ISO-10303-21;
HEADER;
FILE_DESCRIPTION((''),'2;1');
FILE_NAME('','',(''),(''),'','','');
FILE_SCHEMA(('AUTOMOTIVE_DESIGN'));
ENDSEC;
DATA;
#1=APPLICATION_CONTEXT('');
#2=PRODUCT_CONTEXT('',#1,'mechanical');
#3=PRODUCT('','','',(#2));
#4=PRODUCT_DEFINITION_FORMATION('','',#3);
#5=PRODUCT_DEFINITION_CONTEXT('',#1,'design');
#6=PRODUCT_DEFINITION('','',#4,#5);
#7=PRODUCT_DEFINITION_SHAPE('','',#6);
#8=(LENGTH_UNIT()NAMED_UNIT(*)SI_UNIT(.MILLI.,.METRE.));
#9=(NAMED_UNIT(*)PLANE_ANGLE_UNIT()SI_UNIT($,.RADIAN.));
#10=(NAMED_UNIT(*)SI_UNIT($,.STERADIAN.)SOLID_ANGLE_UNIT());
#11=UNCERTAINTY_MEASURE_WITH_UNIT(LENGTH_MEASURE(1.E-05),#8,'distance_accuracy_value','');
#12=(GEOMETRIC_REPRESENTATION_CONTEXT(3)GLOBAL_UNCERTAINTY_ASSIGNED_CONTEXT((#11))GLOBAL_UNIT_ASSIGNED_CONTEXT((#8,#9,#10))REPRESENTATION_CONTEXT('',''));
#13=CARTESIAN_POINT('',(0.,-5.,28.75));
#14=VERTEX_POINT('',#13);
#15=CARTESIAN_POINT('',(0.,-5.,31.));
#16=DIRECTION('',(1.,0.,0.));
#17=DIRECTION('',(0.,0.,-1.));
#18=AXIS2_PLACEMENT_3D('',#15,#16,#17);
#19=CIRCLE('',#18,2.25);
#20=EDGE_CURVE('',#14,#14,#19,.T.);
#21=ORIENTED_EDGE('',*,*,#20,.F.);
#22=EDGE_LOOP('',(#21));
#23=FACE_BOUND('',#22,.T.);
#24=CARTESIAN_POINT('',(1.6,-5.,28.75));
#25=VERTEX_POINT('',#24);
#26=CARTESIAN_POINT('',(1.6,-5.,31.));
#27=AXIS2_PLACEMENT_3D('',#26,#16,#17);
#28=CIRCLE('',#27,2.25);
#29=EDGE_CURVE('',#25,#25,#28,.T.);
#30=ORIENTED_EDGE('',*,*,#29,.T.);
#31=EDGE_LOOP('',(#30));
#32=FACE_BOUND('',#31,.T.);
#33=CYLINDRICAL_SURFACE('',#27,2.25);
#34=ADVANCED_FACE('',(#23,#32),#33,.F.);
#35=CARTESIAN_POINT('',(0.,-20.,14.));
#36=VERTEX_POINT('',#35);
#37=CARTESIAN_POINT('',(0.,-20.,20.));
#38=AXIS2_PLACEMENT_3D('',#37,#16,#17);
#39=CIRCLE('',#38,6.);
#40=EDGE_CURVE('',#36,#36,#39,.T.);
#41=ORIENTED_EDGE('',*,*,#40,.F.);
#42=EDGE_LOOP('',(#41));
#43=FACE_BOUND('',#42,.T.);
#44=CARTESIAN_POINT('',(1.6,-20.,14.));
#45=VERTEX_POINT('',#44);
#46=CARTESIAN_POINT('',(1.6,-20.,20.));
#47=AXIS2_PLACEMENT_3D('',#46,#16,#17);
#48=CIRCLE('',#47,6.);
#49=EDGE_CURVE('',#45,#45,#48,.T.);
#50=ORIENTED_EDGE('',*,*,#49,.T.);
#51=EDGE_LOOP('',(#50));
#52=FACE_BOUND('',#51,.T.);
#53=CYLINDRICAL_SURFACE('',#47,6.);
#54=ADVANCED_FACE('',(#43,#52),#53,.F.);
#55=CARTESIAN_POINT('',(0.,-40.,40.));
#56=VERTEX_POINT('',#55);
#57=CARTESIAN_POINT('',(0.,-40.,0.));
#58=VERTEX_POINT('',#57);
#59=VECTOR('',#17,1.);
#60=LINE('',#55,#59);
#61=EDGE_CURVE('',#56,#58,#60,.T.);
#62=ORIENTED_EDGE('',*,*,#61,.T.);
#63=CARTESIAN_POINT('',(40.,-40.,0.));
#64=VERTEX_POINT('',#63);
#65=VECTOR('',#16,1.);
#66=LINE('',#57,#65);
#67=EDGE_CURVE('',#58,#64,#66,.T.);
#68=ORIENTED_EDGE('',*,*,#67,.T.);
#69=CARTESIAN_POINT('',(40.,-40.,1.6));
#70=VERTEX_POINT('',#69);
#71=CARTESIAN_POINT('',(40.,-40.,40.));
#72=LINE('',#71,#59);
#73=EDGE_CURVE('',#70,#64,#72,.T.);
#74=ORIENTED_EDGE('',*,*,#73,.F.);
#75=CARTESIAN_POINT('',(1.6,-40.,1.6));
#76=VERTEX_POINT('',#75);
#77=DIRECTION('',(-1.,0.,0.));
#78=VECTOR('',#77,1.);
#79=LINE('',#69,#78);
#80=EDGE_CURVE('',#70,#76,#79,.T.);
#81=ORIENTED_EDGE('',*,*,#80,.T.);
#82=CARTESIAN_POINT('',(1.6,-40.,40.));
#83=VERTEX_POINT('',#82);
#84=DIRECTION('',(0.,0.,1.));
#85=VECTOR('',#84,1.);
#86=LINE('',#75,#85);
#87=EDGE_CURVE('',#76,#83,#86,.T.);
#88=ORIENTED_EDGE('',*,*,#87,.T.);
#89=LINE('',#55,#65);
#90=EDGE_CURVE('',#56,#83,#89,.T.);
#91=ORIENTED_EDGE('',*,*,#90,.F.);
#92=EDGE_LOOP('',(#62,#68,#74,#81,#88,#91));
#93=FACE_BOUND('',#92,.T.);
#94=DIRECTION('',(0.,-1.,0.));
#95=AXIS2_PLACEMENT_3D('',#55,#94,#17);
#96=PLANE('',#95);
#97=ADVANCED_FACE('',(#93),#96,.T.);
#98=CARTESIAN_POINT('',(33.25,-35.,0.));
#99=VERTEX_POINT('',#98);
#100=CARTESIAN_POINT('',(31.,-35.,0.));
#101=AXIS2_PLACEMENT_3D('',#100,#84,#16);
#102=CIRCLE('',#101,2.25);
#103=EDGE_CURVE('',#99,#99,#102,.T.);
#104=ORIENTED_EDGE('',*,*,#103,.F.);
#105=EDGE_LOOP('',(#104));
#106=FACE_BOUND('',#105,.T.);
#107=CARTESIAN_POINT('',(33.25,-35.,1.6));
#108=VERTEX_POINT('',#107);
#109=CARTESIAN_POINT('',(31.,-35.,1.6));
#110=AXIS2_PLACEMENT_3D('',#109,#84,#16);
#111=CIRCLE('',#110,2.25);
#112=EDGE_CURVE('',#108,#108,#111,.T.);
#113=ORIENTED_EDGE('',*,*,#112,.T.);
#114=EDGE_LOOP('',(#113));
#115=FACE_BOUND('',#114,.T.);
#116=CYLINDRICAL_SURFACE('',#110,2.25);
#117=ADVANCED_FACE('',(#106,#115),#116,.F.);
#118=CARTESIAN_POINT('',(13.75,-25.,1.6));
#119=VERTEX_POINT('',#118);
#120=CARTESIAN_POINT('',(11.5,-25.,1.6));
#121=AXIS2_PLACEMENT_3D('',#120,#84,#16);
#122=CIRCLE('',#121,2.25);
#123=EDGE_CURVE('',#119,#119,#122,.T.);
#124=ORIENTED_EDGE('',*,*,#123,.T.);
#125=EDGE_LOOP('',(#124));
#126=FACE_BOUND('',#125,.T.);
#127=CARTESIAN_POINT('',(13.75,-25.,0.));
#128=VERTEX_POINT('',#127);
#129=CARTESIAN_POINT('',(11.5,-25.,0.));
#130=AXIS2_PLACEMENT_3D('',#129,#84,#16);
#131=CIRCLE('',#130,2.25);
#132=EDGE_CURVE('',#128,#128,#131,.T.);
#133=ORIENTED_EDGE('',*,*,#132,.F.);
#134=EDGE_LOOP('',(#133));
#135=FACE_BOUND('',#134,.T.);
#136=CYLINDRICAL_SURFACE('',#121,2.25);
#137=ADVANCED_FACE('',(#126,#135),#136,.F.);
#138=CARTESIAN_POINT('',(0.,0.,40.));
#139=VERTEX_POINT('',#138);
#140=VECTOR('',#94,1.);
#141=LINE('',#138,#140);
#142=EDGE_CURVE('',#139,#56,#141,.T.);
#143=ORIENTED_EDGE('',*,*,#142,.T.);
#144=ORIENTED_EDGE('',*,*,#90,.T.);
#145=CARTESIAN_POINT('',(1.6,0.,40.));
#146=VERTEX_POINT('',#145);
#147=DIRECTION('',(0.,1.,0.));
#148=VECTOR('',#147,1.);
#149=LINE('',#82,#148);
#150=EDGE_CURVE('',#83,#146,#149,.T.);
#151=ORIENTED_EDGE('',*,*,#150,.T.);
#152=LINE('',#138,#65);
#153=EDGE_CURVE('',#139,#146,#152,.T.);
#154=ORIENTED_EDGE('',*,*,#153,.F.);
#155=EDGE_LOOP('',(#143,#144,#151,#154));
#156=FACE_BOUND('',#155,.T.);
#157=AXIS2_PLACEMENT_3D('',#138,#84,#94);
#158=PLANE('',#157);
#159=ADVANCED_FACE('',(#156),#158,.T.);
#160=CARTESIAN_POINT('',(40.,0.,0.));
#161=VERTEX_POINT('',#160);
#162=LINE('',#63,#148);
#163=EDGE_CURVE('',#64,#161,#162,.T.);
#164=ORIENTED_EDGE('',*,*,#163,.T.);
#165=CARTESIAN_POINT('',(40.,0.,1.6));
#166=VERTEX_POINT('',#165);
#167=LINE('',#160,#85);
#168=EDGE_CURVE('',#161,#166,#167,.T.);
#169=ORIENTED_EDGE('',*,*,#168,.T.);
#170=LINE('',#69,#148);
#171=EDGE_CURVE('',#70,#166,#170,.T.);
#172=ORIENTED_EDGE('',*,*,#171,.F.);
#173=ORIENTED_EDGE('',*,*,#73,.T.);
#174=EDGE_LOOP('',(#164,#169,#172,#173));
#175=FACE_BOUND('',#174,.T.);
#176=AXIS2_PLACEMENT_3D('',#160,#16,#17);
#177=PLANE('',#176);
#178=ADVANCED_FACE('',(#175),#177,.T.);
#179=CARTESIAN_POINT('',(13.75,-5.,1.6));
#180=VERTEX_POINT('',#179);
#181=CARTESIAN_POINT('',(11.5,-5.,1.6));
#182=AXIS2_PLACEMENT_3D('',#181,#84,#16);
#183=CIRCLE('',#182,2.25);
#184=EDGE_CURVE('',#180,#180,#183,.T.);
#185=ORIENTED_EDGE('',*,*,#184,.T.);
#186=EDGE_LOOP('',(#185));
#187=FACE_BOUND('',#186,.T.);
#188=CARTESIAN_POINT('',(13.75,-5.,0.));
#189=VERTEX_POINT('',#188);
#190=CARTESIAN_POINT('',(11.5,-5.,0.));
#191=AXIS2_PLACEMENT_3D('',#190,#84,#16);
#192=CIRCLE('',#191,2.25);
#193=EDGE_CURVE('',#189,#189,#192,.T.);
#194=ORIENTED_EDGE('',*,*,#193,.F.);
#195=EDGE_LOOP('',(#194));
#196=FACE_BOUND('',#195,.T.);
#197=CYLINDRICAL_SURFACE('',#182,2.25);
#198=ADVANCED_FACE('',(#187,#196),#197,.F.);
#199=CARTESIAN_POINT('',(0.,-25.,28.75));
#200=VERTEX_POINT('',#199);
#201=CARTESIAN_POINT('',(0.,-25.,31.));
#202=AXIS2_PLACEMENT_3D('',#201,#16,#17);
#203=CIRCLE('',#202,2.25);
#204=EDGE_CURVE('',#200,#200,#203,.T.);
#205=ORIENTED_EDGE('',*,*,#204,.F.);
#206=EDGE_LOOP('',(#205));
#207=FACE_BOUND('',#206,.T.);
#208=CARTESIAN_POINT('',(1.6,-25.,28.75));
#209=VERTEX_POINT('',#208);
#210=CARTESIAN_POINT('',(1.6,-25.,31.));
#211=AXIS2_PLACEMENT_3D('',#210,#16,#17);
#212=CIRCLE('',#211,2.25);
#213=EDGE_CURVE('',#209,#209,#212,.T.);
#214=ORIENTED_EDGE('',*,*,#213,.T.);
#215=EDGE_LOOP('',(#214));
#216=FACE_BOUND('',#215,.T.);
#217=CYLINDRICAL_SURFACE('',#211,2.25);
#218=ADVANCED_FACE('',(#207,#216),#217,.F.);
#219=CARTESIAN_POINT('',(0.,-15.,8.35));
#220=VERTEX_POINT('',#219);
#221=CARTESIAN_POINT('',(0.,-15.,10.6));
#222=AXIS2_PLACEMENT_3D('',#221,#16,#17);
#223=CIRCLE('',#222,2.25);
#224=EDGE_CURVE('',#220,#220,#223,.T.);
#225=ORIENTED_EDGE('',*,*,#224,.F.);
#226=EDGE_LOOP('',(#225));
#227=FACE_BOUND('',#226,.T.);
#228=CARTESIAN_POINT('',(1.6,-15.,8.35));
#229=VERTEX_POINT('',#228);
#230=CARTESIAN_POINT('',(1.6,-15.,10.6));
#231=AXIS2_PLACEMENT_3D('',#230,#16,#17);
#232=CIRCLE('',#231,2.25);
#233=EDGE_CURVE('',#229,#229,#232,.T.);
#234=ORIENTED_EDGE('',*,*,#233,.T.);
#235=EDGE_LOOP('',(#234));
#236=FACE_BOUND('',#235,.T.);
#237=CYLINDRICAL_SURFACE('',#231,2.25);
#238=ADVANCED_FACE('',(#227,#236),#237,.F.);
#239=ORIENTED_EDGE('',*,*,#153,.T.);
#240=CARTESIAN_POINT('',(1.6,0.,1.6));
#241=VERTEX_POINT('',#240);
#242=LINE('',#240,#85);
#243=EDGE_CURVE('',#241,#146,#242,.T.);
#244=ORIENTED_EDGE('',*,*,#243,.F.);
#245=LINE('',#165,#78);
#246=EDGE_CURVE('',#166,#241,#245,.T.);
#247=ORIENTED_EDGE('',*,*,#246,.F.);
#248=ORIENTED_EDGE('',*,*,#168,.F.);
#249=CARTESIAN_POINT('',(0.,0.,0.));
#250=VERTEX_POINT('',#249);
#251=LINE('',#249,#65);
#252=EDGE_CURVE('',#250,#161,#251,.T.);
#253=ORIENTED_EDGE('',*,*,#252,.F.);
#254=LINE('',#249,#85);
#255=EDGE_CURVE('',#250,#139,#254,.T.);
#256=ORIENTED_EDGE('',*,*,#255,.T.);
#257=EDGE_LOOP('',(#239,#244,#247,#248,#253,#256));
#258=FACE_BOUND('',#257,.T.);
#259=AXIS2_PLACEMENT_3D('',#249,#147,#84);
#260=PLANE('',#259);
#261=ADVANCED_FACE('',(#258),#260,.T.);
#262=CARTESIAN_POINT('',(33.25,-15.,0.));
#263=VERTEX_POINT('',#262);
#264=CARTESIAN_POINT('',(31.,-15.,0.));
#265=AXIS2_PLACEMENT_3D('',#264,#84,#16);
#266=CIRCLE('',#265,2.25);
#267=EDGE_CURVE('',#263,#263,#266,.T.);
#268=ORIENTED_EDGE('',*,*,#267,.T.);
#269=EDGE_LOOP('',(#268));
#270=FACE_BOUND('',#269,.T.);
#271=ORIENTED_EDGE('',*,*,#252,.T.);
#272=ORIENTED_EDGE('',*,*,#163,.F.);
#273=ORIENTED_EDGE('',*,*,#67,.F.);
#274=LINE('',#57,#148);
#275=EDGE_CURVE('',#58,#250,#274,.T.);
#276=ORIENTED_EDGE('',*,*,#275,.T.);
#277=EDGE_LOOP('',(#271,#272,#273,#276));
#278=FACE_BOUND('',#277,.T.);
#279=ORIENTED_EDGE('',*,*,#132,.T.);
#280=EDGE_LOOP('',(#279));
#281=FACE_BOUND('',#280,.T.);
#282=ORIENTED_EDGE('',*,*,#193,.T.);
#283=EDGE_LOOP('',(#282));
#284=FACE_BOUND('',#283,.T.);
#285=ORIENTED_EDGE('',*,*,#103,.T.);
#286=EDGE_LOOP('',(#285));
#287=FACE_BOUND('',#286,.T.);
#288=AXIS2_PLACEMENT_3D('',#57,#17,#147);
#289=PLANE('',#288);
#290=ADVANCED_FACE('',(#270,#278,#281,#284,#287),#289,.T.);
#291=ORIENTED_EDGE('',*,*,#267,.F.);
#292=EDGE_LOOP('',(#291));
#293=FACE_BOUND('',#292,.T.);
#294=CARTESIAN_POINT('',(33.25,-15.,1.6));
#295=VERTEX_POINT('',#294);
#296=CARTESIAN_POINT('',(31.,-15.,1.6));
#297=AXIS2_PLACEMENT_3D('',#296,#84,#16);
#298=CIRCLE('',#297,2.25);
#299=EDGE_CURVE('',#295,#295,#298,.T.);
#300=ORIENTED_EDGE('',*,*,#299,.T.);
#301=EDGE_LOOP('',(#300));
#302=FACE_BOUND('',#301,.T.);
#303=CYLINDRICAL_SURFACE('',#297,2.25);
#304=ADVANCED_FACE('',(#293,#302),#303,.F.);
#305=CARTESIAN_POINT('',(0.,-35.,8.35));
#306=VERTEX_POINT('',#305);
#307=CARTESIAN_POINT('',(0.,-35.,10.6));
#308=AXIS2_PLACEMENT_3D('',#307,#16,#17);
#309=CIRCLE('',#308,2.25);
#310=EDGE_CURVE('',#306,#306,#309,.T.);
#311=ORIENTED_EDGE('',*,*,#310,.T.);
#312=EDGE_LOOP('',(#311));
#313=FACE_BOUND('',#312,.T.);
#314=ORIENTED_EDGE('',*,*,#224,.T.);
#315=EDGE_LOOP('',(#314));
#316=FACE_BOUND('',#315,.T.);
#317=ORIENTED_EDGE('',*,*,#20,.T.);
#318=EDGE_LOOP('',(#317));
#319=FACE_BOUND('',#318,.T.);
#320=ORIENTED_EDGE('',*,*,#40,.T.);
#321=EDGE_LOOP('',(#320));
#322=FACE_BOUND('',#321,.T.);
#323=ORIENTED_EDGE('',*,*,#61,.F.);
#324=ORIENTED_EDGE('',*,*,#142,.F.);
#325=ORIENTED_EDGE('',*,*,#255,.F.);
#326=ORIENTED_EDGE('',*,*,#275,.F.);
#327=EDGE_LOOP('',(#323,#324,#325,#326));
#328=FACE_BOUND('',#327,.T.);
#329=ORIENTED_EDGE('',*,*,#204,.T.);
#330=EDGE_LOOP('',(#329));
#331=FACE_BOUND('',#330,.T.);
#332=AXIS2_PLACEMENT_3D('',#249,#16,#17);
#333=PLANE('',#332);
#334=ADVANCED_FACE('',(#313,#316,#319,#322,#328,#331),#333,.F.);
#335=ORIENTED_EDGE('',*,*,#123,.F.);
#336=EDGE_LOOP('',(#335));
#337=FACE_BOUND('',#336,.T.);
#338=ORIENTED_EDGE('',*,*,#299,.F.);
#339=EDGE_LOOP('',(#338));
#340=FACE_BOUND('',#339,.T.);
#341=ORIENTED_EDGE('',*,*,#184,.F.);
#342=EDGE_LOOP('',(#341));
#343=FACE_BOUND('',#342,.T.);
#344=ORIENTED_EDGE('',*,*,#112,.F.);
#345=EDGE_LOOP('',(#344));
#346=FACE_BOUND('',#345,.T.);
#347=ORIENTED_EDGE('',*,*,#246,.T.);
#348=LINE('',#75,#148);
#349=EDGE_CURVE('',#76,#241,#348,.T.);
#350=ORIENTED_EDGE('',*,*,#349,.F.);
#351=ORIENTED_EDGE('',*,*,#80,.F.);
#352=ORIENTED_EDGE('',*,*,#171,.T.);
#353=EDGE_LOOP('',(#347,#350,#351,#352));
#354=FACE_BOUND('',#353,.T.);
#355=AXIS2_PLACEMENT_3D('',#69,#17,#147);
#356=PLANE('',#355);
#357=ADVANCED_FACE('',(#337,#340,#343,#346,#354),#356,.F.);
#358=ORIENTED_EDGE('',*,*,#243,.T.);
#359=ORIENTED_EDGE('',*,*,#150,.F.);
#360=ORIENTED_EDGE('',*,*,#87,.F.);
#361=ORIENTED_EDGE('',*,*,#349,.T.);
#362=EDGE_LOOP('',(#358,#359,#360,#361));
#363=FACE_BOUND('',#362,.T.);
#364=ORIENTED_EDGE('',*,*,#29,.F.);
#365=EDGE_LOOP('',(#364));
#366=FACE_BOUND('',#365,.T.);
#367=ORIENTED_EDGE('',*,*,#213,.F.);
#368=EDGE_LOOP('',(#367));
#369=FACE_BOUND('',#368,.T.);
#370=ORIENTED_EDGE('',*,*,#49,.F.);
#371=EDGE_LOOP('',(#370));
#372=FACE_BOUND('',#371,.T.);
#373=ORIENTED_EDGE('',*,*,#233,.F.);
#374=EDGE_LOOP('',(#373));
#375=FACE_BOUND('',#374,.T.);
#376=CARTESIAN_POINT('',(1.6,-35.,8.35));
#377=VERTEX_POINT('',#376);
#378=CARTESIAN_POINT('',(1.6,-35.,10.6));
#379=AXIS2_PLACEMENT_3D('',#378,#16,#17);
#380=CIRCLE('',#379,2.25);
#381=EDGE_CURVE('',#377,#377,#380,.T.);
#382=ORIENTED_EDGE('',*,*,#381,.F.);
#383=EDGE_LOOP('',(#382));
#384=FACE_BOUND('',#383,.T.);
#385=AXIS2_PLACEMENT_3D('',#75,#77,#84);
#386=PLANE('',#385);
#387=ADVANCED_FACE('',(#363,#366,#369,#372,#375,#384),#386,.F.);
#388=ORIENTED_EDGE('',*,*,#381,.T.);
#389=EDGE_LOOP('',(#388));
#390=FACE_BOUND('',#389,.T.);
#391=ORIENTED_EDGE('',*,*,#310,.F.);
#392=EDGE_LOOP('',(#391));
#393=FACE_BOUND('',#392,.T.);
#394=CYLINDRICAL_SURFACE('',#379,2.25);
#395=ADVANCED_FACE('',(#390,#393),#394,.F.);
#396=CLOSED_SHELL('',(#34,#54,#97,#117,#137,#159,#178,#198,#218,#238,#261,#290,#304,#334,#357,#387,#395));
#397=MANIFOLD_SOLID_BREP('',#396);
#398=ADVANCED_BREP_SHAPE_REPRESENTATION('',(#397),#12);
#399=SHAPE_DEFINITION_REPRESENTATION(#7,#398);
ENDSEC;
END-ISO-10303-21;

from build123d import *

# Parameters (mm, degrees)
SKETCH_1_W              = 40
SKETCH_1_H              = 40
EXTRUDE_1_DEPTH         = 40
SKETCH_2_W              = 38.4
SKETCH_2_H              = 38.4
CUT_EXTRUDE_1_DEPTH     = 70.282032303
HOLE_WIZARD_4_5_4_5_1_D = 4.5
HOLE_WIZARD_12_0_12_1_D = 12
HOLE_WIZARD_4_5_4_5_2_D = 4.5


with BuildPart() as part:
    # Эскиз1 → Бобышка-Вытянуть1 (new body)
    with BuildSketch(Plane(origin=(40, 0, 0), x_dir=(0, 0, -1), z_dir=(1, 0, 0))):
        with Locations((-20, -20)):
            Rectangle(SKETCH_1_W, SKETCH_1_H)
    extrude(amount=-EXTRUDE_1_DEPTH)

    # Эскиз2 → Вырез-Вытянуть1 (cut, through all)
    with BuildSketch(Plane(origin=(0, 0, 0), x_dir=(-1, 0, 0), z_dir=(0, 1, 0))):
        with Locations((-20.8, 20.8)):
            Rectangle(SKETCH_2_W, SKETCH_2_H)
    extrude(amount=-CUT_EXTRUDE_1_DEPTH, mode=Mode.SUBTRACT)

    # Диаметр отверстия Ø4.5 (4.5)1 (through all)
    with Locations(Plane.XY.offset(1.6)):
        with Locations((31, -15), (11.5, -5), (11.5, -25), (31, -35)):
            Hole(HOLE_WIZARD_4_5_4_5_1_D / 2)

    # Диаметр отверстия Ø12.0 (12)1 (through all)
    with Locations(Plane(origin=(1.6, 0, 0), x_dir=(0, 0, -1), z_dir=(1, 0, 0))):
        with Locations((-20, -20)):
            Hole(HOLE_WIZARD_12_0_12_1_D / 2)

    # Диаметр отверстия Ø4.5 (4.5)2 (through all)
    with Locations(Plane(origin=(1.6, 0, 0), x_dir=(0, 0, -1), z_dir=(1, 0, 0))):
        with Locations((-31, -25), (-10.6, -15), (-10.6, -35), (-31, -5)):
            Hole(HOLE_WIZARD_4_5_4_5_2_D / 2)


solid = part.part
